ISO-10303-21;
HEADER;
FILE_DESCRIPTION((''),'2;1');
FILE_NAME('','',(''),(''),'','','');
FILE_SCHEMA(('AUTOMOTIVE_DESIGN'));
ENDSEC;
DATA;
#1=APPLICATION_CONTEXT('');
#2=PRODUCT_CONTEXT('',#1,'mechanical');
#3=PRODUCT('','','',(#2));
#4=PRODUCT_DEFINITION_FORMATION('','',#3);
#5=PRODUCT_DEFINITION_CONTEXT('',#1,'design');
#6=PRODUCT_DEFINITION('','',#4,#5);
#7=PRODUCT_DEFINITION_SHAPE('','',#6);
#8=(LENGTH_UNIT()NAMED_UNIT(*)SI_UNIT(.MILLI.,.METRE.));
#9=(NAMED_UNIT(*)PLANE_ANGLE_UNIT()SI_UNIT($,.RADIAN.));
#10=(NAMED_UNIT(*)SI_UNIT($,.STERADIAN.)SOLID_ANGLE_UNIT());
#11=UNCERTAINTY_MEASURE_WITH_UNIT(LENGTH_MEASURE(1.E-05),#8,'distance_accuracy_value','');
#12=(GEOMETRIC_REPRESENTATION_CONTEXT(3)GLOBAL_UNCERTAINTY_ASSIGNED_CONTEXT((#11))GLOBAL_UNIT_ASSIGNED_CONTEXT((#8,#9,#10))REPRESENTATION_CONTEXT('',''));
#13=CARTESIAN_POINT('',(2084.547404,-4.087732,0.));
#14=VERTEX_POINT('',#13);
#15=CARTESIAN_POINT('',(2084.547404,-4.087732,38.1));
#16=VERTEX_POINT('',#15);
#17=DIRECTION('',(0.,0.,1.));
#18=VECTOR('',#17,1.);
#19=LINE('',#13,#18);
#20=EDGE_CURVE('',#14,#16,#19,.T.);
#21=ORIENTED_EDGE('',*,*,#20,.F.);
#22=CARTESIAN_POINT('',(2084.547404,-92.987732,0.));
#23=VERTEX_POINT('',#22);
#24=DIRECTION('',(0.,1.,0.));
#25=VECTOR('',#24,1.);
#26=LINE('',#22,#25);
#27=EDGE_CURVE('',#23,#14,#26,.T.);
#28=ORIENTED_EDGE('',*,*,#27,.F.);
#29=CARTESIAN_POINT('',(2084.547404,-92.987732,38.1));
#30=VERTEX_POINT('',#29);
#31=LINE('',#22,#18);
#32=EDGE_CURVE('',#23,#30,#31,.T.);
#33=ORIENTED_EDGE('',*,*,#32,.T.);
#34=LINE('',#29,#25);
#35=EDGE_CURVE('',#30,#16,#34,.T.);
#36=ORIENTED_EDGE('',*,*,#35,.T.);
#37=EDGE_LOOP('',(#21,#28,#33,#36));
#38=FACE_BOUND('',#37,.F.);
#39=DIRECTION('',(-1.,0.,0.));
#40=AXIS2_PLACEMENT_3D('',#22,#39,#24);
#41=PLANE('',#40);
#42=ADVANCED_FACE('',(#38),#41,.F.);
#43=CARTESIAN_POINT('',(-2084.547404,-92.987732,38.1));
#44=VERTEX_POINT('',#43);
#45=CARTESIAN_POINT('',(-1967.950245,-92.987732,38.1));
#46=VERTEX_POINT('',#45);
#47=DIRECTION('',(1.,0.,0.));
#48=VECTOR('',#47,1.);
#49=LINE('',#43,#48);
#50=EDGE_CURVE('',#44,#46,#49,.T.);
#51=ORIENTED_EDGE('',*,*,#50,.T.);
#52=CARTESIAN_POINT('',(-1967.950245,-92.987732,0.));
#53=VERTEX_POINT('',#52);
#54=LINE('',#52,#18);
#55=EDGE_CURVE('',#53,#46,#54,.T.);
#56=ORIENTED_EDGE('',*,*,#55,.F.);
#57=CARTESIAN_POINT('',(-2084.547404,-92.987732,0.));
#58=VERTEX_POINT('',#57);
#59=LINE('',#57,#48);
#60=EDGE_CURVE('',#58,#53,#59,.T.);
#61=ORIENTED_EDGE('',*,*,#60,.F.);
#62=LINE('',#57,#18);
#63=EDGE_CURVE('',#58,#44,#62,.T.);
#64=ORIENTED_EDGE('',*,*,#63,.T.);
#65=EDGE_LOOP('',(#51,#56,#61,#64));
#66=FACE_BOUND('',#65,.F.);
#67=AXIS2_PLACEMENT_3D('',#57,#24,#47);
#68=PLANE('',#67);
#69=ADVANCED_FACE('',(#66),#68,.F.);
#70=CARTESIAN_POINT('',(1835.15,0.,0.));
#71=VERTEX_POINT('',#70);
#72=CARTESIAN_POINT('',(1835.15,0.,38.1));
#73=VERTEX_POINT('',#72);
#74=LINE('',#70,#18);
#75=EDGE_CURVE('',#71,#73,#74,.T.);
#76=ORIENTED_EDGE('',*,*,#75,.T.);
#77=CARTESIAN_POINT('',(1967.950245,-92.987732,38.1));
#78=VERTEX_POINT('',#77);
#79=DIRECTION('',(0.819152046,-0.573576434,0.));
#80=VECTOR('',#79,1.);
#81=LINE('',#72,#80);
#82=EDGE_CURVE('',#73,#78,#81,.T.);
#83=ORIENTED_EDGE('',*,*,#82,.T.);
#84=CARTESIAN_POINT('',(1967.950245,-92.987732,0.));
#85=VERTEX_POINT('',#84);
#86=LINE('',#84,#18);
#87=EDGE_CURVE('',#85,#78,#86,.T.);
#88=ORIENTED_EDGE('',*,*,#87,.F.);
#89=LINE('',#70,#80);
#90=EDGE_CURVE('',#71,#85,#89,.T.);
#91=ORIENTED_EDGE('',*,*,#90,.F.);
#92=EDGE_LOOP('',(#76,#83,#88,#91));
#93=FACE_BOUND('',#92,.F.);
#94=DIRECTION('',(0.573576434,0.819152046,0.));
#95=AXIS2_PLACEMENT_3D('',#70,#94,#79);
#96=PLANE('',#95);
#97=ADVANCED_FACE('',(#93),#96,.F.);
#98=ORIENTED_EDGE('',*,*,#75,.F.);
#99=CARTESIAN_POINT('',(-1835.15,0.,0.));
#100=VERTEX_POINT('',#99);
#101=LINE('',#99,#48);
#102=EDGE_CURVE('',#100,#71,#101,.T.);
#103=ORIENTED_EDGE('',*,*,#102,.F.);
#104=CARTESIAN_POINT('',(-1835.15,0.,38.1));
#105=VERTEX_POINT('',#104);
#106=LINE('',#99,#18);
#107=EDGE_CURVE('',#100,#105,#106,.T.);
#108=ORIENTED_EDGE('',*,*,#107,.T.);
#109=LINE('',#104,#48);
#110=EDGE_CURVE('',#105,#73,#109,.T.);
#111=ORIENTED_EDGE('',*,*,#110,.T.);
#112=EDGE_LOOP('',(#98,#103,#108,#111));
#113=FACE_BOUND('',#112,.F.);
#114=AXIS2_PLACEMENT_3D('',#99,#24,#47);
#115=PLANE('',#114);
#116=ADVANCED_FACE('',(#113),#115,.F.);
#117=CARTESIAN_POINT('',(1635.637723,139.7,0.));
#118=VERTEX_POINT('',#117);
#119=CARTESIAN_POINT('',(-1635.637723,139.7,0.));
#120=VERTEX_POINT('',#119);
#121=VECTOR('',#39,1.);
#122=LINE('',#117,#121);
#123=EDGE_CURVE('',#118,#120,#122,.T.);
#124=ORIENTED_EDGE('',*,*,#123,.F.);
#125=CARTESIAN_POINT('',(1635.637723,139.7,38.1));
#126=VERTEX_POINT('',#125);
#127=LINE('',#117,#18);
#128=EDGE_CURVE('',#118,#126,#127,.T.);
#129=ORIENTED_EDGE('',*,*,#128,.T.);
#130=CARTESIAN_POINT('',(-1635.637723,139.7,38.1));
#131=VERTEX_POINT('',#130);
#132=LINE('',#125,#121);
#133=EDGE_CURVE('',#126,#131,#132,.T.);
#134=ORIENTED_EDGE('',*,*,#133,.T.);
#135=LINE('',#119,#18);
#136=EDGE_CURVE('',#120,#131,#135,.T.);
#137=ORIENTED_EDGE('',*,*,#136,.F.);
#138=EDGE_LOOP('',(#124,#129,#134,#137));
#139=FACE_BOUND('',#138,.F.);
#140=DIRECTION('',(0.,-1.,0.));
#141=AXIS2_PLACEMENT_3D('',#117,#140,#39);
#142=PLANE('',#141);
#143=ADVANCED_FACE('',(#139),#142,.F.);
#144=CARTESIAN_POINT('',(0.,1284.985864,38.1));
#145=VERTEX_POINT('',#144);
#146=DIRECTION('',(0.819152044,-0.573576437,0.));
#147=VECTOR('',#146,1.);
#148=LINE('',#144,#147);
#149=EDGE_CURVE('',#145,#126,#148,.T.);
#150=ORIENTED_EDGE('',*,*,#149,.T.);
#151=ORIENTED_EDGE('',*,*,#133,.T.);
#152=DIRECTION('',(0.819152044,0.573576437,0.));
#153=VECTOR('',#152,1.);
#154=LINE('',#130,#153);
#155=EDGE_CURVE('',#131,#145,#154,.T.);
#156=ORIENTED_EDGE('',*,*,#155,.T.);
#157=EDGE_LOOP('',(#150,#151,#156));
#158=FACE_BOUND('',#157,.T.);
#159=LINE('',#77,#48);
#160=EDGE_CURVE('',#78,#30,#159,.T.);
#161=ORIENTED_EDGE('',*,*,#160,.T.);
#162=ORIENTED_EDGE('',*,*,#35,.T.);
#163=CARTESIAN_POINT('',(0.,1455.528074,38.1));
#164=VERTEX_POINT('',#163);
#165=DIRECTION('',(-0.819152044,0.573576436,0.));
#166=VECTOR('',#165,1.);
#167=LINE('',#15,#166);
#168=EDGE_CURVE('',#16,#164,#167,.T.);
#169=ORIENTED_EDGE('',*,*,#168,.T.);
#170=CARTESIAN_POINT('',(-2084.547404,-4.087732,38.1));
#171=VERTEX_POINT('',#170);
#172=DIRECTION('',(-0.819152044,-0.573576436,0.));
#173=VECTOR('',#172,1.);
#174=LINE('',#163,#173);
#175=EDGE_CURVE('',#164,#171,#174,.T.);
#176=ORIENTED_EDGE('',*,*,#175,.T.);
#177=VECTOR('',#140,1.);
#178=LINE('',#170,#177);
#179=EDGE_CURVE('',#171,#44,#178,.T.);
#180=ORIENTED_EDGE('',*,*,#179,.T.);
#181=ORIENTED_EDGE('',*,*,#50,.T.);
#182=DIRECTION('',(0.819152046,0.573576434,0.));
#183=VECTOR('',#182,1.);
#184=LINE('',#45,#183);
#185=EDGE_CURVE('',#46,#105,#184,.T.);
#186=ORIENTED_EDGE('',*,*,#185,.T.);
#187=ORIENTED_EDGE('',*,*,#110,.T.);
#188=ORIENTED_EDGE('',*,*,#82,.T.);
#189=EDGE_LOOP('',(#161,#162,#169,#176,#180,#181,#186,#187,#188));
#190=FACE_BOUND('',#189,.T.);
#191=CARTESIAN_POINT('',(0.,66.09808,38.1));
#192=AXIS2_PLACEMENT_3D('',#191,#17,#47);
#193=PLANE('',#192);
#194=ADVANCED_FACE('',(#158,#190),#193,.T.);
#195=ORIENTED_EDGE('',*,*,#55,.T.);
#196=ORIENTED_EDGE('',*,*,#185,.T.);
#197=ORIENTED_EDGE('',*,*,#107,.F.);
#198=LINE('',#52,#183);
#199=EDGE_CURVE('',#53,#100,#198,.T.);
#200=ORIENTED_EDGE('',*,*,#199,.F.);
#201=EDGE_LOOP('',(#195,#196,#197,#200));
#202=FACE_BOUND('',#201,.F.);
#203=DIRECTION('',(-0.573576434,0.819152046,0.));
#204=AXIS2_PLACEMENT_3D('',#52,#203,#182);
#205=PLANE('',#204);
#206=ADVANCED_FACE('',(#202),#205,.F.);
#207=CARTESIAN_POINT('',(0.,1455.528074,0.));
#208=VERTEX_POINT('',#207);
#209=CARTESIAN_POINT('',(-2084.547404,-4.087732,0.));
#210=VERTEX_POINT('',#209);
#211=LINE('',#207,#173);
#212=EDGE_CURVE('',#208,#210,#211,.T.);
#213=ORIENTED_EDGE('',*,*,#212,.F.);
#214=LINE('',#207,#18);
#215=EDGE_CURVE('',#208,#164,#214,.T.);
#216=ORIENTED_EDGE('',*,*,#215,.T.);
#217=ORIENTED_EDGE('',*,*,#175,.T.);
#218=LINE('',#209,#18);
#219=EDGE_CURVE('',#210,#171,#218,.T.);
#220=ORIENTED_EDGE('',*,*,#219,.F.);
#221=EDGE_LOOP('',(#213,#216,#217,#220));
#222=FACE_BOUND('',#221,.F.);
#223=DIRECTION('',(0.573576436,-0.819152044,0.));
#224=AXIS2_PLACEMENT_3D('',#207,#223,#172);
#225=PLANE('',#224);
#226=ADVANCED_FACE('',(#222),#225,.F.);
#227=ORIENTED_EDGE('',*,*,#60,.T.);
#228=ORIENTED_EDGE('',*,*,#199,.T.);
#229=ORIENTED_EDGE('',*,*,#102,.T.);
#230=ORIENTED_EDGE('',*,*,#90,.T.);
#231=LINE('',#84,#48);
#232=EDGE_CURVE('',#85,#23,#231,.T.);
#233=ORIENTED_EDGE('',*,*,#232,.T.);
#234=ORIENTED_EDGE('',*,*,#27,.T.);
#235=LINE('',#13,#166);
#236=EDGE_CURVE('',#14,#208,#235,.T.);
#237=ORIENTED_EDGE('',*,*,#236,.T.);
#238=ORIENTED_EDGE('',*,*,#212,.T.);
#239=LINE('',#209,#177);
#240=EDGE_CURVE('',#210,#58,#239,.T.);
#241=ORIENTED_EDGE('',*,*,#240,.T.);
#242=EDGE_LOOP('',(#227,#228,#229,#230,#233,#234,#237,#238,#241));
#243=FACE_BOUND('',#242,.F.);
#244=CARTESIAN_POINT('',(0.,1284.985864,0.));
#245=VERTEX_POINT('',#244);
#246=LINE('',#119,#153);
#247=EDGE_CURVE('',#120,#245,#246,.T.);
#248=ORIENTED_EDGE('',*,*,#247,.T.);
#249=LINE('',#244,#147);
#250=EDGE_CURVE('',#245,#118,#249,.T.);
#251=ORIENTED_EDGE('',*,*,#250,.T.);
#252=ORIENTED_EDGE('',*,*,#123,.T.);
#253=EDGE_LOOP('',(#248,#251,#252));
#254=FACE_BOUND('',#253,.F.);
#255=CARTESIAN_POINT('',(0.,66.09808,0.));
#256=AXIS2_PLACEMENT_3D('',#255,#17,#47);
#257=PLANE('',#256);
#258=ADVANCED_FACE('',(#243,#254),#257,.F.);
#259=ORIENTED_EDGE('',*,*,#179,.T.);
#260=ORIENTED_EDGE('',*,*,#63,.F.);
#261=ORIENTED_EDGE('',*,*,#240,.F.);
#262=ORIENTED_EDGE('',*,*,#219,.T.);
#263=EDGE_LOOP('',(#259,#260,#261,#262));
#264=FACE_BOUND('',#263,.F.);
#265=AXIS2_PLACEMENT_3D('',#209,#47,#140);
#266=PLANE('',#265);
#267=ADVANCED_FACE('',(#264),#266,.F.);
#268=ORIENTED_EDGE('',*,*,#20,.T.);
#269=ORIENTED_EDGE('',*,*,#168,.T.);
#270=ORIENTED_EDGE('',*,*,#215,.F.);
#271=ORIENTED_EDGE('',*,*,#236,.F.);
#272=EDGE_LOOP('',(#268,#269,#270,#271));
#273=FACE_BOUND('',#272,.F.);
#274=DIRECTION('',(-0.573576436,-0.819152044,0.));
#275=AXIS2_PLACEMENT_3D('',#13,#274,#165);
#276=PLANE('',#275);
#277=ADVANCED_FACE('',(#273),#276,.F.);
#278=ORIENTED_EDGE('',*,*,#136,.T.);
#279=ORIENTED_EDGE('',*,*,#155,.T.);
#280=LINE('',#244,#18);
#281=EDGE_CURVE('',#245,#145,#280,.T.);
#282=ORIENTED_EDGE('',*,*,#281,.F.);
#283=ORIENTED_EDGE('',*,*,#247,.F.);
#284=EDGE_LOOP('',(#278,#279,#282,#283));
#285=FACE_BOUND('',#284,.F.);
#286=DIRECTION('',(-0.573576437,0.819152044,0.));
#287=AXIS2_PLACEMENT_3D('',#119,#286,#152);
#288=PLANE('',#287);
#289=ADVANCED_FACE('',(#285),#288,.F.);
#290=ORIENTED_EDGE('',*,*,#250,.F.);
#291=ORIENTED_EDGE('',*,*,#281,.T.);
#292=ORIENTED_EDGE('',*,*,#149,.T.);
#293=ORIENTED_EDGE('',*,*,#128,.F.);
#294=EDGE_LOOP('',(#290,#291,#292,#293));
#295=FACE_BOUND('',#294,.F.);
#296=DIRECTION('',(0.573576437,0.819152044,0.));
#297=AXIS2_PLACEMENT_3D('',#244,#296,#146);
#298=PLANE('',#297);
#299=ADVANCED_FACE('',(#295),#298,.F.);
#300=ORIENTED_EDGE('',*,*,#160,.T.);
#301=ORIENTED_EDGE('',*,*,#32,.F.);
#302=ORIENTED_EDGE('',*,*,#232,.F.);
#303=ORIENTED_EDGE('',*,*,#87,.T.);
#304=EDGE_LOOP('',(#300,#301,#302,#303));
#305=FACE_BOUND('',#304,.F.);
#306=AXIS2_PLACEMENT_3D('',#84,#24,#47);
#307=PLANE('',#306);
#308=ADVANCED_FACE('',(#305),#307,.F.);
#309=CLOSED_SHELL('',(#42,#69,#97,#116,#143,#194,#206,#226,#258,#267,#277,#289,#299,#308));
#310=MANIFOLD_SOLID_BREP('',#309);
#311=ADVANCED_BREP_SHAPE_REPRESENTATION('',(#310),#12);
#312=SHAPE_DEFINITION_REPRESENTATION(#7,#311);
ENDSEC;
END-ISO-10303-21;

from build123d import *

# Parameters (mm, degrees)
F1_DEPTH = 38.1


with BuildPart() as f1:
    # F0 (on Top) → F1 (new body)
    with BuildSketch(Plane.XY):
        Polygon((-1635.637723, 139.7), (-1835.15, 0), (1835.15, 0), (1635.637723, 139.7), align=None)
        Polygon((-1967.950245, -92.987732), (-1835.15, 0), (-1635.637723, 139.7), (0, 1284.985864), (1635.637723, 139.7), (1835.15, 0), (1967.950245, -92.987732), (2084.547404, -92.987732), (2084.547404, -4.087732), (0, 1455.528074), (-2084.547404, -4.087732), (-2084.547404, -92.987732), align=None)
    extrude(amount=F1_DEPTH)


solid = f1.part
